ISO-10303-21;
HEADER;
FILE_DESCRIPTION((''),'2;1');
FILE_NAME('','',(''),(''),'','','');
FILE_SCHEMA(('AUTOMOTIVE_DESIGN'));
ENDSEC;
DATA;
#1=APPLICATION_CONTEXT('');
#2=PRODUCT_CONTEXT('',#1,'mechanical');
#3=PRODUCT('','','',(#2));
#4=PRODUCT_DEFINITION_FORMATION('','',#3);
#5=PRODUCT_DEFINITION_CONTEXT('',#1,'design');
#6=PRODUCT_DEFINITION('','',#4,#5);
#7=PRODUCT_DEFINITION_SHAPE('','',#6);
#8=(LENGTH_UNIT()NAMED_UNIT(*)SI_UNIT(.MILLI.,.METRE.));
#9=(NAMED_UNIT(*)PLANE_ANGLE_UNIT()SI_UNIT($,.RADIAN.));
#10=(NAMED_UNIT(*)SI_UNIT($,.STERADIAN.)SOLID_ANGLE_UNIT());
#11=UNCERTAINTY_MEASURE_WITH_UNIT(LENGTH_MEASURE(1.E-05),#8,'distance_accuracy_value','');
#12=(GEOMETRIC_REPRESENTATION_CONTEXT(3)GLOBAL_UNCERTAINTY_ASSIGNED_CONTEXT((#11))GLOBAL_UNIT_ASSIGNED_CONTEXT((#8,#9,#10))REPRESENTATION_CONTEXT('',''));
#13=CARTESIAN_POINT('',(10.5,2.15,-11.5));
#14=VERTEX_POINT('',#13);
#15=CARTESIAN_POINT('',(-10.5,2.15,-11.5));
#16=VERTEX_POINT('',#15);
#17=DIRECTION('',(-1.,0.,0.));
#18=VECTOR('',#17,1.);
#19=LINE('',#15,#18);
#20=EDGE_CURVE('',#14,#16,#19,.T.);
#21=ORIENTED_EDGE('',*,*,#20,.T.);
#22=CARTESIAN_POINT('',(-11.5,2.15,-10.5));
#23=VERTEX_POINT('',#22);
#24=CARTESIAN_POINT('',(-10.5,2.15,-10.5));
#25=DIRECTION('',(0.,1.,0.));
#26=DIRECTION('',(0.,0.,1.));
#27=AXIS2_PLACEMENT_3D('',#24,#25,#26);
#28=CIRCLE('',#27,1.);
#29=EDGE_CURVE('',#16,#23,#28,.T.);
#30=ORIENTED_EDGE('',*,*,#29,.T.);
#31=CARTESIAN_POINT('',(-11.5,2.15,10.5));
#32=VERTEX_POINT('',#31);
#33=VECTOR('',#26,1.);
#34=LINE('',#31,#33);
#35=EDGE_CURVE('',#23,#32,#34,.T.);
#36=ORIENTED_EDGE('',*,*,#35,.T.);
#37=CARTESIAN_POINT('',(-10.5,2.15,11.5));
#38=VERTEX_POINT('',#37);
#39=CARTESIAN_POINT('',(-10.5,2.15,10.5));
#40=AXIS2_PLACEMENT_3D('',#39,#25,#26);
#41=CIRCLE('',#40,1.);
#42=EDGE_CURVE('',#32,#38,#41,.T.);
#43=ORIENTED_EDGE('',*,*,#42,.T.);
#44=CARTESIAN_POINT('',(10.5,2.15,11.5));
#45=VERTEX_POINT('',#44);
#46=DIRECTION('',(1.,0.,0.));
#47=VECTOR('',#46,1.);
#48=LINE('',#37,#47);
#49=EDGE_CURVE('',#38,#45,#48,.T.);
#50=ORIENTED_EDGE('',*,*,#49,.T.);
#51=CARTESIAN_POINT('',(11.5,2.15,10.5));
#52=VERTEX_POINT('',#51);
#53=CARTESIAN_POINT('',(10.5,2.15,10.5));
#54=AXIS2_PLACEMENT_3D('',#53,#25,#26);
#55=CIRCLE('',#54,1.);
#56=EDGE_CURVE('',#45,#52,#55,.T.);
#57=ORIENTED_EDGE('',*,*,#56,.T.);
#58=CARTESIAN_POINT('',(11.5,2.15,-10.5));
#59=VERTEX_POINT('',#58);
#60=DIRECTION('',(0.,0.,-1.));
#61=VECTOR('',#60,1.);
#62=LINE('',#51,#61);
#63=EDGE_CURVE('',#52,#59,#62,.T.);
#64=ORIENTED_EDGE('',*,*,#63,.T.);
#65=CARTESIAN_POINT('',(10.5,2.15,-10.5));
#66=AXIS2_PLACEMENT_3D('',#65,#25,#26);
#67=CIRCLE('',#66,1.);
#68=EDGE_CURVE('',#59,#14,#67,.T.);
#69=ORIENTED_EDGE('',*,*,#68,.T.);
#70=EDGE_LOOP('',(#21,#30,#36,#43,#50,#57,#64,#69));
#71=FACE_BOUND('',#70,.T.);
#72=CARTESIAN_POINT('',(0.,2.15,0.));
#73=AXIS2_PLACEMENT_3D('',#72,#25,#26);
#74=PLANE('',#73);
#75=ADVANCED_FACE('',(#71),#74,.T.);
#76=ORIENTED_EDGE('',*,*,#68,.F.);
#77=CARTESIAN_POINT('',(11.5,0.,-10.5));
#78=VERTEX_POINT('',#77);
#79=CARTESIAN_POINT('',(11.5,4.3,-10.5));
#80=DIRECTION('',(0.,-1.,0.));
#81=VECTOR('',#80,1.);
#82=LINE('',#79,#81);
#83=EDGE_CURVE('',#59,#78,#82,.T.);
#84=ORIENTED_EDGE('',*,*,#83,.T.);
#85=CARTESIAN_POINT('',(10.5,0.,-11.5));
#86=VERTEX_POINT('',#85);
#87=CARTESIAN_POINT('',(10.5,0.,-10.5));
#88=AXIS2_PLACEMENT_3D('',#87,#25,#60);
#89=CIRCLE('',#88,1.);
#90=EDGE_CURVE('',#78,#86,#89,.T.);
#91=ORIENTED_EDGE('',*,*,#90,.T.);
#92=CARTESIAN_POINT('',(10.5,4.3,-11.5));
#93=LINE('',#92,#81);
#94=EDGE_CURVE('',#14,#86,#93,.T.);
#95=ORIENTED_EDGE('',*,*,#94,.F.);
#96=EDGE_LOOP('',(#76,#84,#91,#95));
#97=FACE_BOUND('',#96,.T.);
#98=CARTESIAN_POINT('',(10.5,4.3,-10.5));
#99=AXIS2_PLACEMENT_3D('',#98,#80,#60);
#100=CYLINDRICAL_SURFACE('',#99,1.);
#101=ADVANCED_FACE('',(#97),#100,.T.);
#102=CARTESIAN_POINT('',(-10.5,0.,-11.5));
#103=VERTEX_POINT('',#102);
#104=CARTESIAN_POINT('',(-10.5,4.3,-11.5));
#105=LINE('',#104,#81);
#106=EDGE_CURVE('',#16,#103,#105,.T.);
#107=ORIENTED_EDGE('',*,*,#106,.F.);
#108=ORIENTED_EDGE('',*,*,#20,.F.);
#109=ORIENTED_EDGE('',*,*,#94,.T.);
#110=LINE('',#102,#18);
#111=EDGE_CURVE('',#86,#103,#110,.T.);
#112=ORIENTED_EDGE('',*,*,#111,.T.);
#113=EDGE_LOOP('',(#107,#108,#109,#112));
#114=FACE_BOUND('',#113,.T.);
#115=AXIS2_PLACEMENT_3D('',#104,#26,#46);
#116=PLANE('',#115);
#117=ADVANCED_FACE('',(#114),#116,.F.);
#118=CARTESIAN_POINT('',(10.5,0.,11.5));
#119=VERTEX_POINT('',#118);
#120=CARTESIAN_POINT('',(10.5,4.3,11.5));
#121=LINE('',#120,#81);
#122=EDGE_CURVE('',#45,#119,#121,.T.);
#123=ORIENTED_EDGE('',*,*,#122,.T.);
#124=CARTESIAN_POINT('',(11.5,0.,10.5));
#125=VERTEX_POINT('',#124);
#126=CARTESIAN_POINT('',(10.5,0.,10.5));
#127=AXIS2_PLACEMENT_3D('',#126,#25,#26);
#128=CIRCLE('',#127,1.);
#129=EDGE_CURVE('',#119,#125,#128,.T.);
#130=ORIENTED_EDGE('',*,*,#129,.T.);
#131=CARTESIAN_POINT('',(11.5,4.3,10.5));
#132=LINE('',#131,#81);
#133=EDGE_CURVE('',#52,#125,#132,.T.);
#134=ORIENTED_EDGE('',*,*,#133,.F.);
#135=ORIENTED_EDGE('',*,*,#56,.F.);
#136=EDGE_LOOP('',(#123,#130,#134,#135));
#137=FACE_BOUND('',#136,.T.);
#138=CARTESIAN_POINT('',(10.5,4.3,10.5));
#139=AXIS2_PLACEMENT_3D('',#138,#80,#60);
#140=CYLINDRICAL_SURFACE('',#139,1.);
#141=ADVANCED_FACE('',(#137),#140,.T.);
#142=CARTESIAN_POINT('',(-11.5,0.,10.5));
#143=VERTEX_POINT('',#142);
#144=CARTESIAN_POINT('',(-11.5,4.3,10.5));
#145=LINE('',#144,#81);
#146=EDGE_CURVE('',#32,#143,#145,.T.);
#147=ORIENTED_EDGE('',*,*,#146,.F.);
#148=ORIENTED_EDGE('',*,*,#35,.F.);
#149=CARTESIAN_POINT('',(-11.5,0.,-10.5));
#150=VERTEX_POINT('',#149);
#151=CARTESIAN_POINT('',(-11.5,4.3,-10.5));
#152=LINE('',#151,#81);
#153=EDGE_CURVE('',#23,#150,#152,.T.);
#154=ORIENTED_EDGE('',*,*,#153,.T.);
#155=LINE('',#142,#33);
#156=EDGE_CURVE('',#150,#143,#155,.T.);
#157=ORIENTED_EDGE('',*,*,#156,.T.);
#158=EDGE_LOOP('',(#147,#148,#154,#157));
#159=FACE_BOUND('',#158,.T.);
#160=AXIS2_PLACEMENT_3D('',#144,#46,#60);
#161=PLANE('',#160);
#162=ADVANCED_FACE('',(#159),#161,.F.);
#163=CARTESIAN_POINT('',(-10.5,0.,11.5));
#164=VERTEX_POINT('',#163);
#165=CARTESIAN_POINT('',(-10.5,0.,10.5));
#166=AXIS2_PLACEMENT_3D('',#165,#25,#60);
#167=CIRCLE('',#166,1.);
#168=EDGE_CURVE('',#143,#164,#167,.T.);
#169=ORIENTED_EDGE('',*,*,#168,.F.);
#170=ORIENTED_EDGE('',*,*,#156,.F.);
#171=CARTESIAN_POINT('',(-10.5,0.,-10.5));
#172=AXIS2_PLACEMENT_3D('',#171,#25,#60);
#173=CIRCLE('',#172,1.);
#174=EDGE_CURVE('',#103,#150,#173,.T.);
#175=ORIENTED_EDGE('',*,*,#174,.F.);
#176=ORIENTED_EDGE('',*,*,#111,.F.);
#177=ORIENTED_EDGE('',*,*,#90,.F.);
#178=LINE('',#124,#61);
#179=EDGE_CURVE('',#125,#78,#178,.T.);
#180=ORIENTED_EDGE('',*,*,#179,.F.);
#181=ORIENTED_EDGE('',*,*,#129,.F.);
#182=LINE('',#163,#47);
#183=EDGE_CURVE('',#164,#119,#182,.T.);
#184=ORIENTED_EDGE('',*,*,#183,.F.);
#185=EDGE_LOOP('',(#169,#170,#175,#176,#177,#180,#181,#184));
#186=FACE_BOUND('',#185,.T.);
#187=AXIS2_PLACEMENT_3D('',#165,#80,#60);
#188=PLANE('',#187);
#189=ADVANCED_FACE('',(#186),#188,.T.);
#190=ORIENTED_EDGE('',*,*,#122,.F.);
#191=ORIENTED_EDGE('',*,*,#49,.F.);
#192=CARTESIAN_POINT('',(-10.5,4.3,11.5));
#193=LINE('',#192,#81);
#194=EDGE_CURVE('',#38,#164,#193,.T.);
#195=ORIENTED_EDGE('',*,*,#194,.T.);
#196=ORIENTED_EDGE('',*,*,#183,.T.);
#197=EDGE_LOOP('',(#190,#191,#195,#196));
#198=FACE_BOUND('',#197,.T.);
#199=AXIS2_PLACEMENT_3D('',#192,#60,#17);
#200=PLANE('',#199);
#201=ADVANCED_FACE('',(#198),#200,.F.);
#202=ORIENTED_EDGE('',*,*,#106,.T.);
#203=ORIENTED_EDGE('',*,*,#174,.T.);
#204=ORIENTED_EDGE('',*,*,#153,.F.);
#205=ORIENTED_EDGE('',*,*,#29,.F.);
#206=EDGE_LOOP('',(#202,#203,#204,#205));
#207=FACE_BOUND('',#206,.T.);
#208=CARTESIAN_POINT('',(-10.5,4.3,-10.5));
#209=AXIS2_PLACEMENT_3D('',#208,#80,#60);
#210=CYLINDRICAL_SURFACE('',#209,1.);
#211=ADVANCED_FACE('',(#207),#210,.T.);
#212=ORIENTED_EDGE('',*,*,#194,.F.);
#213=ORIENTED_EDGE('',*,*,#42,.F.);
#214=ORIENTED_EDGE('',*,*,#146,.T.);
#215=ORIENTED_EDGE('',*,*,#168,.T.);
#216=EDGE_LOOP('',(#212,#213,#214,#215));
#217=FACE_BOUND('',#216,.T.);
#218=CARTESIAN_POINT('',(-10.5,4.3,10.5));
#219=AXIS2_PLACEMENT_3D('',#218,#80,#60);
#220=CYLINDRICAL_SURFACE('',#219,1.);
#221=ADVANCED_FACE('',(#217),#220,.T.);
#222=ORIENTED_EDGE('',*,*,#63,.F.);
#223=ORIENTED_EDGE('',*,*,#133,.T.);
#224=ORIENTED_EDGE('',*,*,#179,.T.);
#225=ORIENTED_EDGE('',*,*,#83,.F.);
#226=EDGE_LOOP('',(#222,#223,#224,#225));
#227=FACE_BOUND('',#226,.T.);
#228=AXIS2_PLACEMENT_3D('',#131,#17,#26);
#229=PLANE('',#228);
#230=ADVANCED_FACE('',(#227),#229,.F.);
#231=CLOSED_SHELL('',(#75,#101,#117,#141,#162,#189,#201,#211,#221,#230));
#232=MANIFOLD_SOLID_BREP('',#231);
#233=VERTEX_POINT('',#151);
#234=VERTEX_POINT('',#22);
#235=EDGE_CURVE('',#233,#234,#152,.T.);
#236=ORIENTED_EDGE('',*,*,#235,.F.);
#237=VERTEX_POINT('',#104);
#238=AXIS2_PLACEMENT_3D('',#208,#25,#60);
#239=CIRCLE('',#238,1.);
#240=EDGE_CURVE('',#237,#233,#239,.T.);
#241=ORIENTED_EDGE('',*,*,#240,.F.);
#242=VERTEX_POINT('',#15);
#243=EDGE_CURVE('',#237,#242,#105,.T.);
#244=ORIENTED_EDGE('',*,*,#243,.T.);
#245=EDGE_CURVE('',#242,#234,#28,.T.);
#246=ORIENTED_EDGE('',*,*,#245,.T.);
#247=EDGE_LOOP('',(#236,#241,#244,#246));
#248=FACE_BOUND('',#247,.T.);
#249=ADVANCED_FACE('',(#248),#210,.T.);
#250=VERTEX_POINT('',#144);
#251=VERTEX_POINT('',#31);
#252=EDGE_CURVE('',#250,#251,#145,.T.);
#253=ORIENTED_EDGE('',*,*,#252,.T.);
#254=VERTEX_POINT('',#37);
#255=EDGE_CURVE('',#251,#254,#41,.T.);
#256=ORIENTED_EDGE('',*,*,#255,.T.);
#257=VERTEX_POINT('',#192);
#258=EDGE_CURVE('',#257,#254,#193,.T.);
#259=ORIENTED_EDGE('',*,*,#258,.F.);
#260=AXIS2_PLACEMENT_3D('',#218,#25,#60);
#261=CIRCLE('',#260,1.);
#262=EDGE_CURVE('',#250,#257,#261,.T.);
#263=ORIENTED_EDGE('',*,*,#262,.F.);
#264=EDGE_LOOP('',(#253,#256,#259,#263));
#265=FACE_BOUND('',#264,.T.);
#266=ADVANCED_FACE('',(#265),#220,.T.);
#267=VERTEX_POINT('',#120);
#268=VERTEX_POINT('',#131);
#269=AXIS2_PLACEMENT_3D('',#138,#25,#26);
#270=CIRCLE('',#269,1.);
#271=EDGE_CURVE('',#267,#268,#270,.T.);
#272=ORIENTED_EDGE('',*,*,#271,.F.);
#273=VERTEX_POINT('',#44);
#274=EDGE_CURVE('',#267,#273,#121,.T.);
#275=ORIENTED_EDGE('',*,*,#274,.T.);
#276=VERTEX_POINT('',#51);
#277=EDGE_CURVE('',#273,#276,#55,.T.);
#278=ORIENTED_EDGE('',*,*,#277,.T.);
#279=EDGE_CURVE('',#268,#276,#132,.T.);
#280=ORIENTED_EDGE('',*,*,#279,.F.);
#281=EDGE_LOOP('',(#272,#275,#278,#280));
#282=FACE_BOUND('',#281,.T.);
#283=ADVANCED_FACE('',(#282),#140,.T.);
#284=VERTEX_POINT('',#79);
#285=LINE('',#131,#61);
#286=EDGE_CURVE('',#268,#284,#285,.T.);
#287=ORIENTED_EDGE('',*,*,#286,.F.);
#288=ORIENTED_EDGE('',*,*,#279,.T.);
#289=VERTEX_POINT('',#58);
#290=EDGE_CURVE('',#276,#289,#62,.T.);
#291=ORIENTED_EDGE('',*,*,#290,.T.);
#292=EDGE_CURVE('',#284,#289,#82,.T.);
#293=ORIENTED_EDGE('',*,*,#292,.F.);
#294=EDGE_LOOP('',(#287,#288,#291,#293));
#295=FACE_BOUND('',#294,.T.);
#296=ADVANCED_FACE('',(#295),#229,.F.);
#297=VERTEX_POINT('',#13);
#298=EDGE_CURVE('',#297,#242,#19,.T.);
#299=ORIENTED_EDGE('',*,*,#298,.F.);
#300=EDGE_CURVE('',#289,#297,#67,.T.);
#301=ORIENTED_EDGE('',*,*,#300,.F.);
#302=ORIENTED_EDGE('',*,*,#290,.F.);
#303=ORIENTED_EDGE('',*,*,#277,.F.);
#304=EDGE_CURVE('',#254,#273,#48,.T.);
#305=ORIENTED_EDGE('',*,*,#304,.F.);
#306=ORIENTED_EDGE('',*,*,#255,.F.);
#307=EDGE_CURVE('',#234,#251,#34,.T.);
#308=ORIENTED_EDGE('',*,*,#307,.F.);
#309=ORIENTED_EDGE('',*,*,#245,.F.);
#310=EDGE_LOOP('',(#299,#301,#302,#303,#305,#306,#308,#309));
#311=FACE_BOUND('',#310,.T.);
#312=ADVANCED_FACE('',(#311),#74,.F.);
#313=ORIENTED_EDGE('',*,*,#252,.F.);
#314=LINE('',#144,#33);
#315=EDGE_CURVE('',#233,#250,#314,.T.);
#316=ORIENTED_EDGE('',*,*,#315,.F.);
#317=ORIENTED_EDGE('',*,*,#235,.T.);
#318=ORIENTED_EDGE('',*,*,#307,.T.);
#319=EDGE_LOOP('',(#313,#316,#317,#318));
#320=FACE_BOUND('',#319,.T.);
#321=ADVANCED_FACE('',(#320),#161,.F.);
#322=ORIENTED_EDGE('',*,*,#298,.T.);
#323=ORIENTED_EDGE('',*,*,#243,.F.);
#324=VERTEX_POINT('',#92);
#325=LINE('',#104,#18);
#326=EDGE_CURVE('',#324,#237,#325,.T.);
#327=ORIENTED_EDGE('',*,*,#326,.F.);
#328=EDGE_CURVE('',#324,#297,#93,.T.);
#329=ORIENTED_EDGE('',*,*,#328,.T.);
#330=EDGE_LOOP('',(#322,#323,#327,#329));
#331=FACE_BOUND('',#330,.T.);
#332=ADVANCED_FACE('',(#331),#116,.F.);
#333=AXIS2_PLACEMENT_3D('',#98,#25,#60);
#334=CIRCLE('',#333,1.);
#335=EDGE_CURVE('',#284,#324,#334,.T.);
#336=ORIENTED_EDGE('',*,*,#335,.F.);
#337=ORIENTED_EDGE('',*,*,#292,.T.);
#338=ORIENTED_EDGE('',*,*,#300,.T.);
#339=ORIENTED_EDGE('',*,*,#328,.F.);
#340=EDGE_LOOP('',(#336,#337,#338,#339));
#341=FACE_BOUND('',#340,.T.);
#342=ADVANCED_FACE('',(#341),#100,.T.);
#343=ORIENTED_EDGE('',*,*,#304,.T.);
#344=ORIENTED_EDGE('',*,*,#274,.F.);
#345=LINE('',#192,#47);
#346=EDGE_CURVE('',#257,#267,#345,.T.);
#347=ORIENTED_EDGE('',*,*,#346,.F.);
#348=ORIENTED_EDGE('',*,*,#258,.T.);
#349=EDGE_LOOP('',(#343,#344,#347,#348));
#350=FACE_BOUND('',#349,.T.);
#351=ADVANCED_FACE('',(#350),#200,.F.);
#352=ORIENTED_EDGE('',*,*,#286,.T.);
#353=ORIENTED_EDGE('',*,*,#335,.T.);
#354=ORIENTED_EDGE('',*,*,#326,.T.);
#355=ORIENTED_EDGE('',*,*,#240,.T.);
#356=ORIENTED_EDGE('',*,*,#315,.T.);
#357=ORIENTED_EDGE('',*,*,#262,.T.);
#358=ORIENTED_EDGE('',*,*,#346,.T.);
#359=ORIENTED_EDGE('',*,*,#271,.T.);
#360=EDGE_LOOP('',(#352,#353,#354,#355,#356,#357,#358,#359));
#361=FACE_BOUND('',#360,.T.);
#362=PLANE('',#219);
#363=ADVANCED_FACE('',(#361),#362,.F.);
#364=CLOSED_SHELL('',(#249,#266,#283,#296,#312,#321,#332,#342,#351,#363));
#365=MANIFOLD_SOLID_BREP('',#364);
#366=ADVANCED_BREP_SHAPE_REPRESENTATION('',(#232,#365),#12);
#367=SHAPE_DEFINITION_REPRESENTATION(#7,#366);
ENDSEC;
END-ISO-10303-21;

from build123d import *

# Parameters (mm, degrees)
BOSS_EXTRUDE1_DEPTH = 4.3


with BuildPart() as part:
    # Sketch1 → Boss-Extrude1 (new body)
    with BuildSketch(Plane(origin=(0, 0, 0), x_dir=(1, 0, 0), z_dir=(0, 1, 0))):
        with BuildLine():
            Line((-10.5, -11.5), (10.5, -11.5))
            ThreePointArc((10.5, -11.5), (11.207106781, -11.207106781), (11.5, -10.5))
            Line((11.5, -10.5), (11.5, 10.5))
            ThreePointArc((11.5, 10.5), (11.207106781, 11.207106781), (10.5, 11.5))
            Line((10.5, 11.5), (-10.5, 11.5))
            ThreePointArc((-10.5, 11.5), (-11.207106781, 11.207106781), (-11.5, 10.5))
            Line((-11.5, 10.5), (-11.5, -10.5))
            ThreePointArc((-11.5, -10.5), (-11.207106781, -11.207106781), (-10.5, -11.5))
        make_face()
    extrude(amount=BOSS_EXTRUDE1_DEPTH)


with BuildPart() as body_2:
    # Split1: the piece on the far side of the plane
    add(part.part)
    split(bisect_by=Plane.ZX.offset(2.15), keep=Keep.BOTTOM)


with BuildPart() as part_1:
    add(part.part)

    # Split1
    split(bisect_by=Plane.ZX.offset(2.15), keep=Keep.TOP)


solid = Compound([body_2.part, part_1.part])
